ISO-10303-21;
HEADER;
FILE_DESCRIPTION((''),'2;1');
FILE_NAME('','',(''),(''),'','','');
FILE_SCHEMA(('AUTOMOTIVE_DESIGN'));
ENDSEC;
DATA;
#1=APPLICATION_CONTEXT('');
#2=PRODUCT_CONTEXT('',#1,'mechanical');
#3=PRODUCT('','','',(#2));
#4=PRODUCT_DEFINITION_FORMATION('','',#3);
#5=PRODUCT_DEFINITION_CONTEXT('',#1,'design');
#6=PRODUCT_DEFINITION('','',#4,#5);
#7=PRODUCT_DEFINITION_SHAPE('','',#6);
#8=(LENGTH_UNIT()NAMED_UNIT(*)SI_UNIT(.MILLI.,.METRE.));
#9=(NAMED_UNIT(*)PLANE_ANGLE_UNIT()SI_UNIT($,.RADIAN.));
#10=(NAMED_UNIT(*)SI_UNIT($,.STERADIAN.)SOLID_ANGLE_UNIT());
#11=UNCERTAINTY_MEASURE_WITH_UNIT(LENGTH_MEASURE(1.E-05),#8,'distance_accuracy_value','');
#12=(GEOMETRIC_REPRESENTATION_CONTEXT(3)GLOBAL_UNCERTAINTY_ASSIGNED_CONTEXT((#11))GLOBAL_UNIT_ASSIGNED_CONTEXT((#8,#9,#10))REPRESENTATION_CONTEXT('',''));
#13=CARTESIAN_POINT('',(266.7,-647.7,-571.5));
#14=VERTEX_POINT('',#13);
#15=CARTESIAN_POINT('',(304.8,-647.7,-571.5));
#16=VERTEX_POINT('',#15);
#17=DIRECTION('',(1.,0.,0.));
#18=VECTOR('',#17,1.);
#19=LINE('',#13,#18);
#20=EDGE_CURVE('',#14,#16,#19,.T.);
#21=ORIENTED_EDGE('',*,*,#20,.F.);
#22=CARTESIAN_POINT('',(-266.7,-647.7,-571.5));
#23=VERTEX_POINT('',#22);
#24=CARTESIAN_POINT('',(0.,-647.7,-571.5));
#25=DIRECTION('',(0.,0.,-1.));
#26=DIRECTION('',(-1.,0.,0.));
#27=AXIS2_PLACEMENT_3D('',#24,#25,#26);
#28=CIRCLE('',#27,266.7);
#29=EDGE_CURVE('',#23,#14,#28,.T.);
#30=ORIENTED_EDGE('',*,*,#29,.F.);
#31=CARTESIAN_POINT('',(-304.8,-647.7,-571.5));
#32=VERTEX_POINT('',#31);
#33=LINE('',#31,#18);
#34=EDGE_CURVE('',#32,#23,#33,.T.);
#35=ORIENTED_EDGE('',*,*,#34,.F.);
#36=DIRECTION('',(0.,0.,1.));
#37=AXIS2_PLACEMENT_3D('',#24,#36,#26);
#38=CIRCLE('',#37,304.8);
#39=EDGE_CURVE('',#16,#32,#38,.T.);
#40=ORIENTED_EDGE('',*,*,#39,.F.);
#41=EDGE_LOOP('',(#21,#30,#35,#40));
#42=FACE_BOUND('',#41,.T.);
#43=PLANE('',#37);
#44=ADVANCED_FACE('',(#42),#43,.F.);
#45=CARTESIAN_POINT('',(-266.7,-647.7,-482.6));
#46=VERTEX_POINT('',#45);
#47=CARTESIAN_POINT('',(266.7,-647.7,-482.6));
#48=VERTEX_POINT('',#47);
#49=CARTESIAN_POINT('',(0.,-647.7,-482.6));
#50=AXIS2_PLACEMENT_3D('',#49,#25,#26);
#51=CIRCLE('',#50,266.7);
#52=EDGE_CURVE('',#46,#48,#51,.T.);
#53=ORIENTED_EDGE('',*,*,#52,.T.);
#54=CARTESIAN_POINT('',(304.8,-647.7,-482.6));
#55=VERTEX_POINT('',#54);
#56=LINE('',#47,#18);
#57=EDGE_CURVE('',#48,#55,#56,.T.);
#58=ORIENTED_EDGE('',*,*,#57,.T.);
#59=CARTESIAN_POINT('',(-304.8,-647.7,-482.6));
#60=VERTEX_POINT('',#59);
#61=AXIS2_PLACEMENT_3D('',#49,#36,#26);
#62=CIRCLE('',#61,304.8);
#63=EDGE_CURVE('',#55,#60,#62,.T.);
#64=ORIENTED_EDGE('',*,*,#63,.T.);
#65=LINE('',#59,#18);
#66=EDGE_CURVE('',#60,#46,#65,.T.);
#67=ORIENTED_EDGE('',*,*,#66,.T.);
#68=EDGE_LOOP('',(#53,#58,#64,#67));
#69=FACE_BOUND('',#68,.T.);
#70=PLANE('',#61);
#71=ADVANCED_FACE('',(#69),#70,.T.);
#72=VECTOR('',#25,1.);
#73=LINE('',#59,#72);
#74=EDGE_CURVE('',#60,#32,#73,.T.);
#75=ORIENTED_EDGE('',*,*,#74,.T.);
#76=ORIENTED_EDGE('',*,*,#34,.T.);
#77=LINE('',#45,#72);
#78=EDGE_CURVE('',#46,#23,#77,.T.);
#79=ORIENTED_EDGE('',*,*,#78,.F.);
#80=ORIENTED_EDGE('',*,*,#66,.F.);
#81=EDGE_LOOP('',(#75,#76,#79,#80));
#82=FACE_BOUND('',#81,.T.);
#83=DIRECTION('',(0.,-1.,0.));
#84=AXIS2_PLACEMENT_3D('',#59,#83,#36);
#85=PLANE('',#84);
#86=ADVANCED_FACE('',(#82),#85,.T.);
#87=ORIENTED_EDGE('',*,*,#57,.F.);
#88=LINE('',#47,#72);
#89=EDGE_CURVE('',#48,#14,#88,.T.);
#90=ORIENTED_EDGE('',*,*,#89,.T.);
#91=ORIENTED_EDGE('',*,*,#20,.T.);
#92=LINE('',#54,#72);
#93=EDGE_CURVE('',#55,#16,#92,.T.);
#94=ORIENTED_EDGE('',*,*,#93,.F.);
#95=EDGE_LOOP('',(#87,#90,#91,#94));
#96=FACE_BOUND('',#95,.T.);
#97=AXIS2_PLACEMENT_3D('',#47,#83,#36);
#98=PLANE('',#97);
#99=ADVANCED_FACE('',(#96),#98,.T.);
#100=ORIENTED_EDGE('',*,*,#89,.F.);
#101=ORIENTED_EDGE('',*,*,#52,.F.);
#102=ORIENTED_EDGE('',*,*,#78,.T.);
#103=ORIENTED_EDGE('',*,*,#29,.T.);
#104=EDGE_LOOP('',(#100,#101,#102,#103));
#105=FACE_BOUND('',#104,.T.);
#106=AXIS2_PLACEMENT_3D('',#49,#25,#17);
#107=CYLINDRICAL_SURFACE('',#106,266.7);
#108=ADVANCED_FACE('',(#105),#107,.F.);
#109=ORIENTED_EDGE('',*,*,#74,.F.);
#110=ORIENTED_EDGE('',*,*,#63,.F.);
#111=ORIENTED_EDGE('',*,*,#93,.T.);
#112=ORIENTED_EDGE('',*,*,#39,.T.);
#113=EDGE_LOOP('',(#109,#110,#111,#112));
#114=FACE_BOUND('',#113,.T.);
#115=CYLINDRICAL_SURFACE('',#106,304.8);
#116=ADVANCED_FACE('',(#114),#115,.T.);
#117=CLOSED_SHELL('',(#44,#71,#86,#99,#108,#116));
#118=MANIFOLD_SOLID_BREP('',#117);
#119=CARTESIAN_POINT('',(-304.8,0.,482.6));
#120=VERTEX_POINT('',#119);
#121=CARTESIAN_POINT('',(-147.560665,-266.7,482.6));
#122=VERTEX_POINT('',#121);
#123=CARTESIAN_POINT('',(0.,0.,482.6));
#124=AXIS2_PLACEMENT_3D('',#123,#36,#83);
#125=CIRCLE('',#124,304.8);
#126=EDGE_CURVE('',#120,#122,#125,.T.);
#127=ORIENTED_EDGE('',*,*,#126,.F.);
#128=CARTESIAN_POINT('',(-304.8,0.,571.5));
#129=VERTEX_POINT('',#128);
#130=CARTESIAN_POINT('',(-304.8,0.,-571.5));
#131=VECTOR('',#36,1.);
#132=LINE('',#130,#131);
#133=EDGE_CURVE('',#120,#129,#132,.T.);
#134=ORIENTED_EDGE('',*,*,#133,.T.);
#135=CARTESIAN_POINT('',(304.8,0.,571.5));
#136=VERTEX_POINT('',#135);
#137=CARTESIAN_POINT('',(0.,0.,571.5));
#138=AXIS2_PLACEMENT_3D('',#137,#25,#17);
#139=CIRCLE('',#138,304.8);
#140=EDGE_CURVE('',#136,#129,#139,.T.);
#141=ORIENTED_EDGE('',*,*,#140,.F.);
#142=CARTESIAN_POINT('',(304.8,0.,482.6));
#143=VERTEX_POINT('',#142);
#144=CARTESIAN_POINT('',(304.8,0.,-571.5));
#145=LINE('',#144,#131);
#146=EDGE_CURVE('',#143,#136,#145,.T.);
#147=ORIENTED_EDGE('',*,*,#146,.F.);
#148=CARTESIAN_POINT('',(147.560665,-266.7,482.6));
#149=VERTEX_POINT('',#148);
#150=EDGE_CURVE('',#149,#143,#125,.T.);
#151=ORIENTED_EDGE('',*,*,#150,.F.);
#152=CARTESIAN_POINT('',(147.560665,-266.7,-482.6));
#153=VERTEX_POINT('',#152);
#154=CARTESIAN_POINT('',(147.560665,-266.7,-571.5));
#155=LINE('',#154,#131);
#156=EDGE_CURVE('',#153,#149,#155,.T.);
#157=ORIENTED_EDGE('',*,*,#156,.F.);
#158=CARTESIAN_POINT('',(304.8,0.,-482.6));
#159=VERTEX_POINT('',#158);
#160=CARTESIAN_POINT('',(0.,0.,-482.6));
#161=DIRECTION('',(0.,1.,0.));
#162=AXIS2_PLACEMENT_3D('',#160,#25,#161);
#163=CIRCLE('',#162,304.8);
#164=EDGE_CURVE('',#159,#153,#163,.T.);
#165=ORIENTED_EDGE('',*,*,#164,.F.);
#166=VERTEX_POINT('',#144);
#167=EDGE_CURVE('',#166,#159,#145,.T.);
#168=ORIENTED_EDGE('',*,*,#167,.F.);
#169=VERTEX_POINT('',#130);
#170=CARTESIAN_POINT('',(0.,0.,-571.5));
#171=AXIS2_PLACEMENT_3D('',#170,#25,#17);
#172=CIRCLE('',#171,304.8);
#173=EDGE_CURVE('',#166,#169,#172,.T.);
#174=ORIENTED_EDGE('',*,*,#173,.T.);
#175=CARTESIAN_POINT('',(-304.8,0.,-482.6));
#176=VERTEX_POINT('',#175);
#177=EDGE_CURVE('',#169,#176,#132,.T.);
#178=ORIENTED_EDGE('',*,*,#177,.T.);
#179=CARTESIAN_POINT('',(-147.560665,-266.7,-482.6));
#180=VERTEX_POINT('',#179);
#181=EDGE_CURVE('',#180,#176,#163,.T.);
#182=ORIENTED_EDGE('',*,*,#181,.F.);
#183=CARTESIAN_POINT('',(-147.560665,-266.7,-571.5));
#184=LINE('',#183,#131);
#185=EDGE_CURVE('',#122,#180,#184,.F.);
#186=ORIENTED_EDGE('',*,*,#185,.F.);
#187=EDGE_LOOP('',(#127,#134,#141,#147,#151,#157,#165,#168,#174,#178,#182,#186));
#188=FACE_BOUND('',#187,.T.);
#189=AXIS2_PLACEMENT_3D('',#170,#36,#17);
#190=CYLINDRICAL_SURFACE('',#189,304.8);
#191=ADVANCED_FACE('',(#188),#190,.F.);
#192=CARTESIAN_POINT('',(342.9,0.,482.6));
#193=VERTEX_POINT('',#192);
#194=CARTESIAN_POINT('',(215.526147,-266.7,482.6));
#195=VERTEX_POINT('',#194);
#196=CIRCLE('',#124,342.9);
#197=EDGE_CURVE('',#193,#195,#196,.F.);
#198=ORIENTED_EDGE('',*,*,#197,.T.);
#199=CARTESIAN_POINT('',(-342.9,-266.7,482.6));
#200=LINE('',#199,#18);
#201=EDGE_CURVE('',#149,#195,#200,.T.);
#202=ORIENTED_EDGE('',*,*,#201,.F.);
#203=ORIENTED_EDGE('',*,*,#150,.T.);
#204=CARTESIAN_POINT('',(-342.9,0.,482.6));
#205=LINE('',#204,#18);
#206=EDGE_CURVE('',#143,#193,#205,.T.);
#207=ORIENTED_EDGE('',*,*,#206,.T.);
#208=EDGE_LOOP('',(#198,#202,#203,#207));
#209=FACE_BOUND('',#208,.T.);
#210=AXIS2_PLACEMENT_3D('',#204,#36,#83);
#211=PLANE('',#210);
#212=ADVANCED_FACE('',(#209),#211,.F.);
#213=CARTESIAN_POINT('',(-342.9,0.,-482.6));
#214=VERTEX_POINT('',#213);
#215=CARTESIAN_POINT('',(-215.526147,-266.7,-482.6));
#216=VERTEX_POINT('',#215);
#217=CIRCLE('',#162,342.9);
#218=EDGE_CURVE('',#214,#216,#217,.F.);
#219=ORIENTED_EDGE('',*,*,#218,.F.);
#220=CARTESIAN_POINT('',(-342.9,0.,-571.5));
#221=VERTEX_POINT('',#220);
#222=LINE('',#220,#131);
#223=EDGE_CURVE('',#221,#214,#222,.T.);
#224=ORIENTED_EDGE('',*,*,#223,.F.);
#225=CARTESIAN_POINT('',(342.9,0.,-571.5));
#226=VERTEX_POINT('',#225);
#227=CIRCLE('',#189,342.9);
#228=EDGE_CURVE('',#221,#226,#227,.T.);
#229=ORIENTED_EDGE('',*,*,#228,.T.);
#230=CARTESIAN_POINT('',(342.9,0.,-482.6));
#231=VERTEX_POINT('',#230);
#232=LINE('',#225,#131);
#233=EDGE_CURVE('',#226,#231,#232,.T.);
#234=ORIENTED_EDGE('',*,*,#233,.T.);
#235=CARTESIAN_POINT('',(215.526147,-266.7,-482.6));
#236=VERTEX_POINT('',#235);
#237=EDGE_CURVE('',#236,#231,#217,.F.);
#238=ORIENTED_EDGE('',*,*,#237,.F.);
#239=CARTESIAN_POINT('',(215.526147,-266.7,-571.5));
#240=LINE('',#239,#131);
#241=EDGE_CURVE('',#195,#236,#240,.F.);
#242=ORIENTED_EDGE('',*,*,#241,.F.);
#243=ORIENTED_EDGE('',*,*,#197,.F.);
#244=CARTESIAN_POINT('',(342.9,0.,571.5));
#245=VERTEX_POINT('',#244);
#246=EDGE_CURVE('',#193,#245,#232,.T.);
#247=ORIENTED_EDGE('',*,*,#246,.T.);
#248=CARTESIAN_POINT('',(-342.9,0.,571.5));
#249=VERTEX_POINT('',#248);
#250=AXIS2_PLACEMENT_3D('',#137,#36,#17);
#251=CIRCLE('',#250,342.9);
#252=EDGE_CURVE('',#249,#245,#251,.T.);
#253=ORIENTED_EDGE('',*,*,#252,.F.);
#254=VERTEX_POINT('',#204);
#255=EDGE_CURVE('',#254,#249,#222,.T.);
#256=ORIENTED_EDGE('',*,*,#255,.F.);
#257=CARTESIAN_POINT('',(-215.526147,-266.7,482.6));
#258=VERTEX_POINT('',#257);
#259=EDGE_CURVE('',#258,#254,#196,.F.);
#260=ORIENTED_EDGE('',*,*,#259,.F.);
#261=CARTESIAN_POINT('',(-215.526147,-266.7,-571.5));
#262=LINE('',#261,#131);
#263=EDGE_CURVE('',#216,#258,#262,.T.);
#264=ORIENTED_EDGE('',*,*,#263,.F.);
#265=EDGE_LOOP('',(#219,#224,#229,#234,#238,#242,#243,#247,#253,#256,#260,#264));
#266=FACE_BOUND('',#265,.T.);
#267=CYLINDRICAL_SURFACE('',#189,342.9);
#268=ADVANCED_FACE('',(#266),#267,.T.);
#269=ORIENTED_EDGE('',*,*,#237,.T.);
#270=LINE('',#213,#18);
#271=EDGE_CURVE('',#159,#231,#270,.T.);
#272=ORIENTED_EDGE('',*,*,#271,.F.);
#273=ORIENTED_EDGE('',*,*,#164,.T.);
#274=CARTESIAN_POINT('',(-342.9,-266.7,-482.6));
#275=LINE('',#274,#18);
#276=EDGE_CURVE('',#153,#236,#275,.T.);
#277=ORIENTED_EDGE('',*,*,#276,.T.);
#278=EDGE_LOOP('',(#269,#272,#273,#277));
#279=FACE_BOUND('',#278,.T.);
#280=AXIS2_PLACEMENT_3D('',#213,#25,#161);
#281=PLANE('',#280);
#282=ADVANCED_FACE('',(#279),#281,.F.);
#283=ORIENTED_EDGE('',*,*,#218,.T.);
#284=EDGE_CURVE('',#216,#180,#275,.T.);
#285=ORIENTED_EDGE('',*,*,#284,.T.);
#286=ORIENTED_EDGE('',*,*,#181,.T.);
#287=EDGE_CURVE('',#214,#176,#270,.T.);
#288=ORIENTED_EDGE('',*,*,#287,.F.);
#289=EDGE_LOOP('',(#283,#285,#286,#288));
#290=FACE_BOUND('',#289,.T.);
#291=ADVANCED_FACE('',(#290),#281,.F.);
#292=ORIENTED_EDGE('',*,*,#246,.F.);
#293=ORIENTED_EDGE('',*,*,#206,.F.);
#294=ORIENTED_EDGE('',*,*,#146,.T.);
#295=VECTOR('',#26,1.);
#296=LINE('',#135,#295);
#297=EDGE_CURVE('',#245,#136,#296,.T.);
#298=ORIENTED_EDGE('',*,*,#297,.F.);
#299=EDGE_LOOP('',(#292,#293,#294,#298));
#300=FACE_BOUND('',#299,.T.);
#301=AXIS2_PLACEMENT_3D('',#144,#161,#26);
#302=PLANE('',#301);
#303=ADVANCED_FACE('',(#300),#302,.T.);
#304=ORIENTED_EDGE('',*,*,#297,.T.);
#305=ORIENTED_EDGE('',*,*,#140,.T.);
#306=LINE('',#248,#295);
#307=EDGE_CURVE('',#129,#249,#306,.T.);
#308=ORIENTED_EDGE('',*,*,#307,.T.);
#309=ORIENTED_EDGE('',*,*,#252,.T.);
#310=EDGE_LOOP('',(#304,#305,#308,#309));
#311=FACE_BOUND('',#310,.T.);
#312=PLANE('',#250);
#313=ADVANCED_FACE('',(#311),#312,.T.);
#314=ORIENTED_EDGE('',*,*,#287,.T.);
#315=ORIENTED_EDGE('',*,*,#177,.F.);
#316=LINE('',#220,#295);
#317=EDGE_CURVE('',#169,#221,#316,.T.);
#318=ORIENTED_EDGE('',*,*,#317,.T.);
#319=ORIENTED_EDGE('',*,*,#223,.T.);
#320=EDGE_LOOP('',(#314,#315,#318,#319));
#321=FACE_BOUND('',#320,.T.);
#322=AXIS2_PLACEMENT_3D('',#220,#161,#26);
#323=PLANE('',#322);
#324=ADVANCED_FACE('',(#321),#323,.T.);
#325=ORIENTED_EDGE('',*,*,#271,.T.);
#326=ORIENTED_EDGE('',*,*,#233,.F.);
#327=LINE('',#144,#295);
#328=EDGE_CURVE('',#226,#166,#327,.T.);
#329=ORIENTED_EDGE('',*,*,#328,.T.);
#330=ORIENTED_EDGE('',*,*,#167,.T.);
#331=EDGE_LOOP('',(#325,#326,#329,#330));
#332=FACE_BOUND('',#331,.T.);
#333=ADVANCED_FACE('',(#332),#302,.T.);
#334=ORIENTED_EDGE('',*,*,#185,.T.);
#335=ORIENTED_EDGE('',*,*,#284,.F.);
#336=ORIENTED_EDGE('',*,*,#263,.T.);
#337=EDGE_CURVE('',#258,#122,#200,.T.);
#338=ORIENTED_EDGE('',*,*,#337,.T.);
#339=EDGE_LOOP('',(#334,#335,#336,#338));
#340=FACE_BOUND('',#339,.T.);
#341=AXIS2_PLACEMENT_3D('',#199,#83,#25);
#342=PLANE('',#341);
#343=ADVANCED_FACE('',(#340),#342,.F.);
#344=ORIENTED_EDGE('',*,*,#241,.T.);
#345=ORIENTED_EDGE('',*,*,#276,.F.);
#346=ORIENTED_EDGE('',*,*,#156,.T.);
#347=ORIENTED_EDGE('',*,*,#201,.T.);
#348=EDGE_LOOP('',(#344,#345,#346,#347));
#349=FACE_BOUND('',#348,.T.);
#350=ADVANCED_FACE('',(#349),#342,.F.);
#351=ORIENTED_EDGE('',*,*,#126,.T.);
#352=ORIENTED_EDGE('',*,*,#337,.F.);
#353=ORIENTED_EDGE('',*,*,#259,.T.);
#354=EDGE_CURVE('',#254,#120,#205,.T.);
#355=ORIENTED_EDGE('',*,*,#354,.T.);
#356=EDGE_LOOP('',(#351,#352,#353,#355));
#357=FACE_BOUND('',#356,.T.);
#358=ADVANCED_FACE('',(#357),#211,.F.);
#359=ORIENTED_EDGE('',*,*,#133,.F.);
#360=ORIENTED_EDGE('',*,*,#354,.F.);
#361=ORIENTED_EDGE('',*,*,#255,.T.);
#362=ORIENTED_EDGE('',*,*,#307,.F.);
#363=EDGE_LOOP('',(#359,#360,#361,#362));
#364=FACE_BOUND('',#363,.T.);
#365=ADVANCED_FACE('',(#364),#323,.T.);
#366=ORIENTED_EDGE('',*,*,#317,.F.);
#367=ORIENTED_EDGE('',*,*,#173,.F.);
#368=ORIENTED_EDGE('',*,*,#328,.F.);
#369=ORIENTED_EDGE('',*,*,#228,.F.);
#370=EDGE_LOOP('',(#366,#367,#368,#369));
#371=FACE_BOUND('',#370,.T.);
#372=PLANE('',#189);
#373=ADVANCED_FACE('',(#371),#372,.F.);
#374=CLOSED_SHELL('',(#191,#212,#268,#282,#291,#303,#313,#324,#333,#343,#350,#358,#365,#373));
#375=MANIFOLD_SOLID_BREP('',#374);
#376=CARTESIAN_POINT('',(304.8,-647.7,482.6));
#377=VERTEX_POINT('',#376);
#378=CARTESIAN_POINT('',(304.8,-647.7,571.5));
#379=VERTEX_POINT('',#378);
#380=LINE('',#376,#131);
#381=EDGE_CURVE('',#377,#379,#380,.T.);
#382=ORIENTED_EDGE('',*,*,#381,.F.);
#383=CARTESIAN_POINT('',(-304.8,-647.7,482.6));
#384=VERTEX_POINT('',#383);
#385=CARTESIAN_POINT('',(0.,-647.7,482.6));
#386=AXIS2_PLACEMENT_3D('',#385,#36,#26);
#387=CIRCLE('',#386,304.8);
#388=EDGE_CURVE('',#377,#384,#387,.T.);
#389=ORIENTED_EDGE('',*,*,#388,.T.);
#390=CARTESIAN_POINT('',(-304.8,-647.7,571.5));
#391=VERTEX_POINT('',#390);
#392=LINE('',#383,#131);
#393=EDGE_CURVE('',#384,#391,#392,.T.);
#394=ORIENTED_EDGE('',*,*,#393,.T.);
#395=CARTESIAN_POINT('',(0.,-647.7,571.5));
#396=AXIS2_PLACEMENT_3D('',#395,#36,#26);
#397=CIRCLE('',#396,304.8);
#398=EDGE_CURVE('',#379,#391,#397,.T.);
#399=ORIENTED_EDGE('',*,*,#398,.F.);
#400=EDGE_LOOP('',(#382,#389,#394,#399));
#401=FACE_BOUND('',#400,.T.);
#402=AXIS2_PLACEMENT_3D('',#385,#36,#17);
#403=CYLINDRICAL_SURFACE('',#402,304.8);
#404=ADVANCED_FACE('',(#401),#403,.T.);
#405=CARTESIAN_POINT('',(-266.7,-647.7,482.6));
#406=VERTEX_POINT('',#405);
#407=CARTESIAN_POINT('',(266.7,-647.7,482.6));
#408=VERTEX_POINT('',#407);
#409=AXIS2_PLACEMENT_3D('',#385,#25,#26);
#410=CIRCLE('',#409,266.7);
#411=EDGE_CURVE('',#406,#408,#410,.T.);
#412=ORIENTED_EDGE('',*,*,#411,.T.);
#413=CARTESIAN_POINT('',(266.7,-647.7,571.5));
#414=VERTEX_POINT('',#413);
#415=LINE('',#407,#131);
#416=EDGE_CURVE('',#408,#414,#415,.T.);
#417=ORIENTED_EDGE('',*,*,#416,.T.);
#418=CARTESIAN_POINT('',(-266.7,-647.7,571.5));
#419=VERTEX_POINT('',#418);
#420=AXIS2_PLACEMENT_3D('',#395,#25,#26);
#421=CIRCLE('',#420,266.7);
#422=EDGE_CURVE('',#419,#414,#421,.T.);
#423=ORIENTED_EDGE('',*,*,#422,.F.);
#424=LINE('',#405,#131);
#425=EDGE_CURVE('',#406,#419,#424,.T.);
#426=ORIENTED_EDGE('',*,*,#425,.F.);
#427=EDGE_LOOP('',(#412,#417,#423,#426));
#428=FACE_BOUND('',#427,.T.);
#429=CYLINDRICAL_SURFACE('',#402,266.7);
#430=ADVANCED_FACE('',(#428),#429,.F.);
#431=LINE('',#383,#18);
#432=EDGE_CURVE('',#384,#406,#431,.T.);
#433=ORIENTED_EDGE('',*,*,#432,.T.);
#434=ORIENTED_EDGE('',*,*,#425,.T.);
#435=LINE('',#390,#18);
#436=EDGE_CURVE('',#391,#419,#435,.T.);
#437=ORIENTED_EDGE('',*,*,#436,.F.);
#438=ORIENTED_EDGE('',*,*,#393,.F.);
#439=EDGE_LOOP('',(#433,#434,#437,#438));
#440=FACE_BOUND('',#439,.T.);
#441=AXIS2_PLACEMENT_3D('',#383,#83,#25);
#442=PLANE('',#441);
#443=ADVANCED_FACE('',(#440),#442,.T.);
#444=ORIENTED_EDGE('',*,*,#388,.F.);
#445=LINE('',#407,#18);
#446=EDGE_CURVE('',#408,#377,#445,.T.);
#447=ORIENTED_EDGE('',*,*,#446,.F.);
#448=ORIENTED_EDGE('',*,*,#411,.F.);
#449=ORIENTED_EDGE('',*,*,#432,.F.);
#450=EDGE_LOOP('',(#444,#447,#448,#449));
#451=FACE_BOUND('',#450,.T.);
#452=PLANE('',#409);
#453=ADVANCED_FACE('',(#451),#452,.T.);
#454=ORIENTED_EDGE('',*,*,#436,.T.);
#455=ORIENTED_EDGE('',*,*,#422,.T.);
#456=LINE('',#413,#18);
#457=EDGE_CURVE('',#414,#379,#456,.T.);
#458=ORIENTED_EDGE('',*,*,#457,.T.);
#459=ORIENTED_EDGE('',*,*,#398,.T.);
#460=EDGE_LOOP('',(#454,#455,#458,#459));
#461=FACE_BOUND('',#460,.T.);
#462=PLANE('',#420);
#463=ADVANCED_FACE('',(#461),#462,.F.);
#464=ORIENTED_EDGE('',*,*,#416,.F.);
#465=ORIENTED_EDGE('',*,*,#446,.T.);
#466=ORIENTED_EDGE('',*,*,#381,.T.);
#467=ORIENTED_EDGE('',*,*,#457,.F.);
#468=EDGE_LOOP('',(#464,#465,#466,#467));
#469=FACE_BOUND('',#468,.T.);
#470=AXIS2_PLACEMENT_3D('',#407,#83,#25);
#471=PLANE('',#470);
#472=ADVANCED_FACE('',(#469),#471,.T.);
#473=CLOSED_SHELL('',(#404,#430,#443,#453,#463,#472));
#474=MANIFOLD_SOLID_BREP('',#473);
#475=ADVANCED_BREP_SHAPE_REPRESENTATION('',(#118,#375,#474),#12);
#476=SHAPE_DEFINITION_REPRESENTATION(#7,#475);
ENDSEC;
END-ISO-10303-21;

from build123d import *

# Parameters (mm, degrees)
BOSS_EXTRUDE1_DEPTH     = 571.5
CUT_EXTRUDE1_DEPTH      = 750.515223328
CUT_EXTRUDE1_DEPTH_BACK = 750.515223328
SKETCH2_W               = 965.2
SKETCH2_H               = 266.7
BOSS_EXTRUDE2_DEPTH     = 88.9


with BuildPart() as part:
    # Sketch1 → Boss-Extrude1 (new, symmetric)
    with BuildSketch(Plane.XY):
        with BuildLine():
            Line((-342.9, 0), (-304.8, 0))
            ThreePointArc((-304.8, 0), (0, -304.8), (304.8, 0))
            Line((304.8, 0), (342.9, 0))
            ThreePointArc((342.9, 0), (0, -342.9), (-342.9, 0))
        make_face()
    extrude(amount=BOSS_EXTRUDE1_DEPTH, both=True)

    # Sketch2 → Cut-Extrude1 (cut, two sides: drawn at the far end of the back side and taken through both)
    with BuildSketch(Plane(origin=(0, 0, 0), x_dir=(0, 0, -1), z_dir=(1, 0, 0)).offset(-CUT_EXTRUDE1_DEPTH_BACK)):
        with Locations((0, -133.35)):
            Rectangle(SKETCH2_W, SKETCH2_H)
    extrude(amount=CUT_EXTRUDE1_DEPTH + CUT_EXTRUDE1_DEPTH_BACK, mode=Mode.SUBTRACT)


with BuildPart() as body_2:
    # Sketch3 → Boss-Extrude2 (new body)
    with BuildSketch(Plane.XY.offset(571.5)):
        with BuildLine():
            Line((-304.8, -647.7), (-266.7, -647.7))
            ThreePointArc((-266.7, -647.7), (0, -381), (266.7, -647.7))
            Line((266.7, -647.7), (304.8, -647.7))
            ThreePointArc((304.8, -647.7), (0, -342.9), (-304.8, -647.7))
        make_face()
    extrude(amount=-BOSS_EXTRUDE2_DEPTH)


with BuildPart() as body_3:
    # Mirror4: mirrored copy
    add(body_2.part.mirror(Plane.XY))


solid = Compound([part.part, body_2.part, body_3.part])
